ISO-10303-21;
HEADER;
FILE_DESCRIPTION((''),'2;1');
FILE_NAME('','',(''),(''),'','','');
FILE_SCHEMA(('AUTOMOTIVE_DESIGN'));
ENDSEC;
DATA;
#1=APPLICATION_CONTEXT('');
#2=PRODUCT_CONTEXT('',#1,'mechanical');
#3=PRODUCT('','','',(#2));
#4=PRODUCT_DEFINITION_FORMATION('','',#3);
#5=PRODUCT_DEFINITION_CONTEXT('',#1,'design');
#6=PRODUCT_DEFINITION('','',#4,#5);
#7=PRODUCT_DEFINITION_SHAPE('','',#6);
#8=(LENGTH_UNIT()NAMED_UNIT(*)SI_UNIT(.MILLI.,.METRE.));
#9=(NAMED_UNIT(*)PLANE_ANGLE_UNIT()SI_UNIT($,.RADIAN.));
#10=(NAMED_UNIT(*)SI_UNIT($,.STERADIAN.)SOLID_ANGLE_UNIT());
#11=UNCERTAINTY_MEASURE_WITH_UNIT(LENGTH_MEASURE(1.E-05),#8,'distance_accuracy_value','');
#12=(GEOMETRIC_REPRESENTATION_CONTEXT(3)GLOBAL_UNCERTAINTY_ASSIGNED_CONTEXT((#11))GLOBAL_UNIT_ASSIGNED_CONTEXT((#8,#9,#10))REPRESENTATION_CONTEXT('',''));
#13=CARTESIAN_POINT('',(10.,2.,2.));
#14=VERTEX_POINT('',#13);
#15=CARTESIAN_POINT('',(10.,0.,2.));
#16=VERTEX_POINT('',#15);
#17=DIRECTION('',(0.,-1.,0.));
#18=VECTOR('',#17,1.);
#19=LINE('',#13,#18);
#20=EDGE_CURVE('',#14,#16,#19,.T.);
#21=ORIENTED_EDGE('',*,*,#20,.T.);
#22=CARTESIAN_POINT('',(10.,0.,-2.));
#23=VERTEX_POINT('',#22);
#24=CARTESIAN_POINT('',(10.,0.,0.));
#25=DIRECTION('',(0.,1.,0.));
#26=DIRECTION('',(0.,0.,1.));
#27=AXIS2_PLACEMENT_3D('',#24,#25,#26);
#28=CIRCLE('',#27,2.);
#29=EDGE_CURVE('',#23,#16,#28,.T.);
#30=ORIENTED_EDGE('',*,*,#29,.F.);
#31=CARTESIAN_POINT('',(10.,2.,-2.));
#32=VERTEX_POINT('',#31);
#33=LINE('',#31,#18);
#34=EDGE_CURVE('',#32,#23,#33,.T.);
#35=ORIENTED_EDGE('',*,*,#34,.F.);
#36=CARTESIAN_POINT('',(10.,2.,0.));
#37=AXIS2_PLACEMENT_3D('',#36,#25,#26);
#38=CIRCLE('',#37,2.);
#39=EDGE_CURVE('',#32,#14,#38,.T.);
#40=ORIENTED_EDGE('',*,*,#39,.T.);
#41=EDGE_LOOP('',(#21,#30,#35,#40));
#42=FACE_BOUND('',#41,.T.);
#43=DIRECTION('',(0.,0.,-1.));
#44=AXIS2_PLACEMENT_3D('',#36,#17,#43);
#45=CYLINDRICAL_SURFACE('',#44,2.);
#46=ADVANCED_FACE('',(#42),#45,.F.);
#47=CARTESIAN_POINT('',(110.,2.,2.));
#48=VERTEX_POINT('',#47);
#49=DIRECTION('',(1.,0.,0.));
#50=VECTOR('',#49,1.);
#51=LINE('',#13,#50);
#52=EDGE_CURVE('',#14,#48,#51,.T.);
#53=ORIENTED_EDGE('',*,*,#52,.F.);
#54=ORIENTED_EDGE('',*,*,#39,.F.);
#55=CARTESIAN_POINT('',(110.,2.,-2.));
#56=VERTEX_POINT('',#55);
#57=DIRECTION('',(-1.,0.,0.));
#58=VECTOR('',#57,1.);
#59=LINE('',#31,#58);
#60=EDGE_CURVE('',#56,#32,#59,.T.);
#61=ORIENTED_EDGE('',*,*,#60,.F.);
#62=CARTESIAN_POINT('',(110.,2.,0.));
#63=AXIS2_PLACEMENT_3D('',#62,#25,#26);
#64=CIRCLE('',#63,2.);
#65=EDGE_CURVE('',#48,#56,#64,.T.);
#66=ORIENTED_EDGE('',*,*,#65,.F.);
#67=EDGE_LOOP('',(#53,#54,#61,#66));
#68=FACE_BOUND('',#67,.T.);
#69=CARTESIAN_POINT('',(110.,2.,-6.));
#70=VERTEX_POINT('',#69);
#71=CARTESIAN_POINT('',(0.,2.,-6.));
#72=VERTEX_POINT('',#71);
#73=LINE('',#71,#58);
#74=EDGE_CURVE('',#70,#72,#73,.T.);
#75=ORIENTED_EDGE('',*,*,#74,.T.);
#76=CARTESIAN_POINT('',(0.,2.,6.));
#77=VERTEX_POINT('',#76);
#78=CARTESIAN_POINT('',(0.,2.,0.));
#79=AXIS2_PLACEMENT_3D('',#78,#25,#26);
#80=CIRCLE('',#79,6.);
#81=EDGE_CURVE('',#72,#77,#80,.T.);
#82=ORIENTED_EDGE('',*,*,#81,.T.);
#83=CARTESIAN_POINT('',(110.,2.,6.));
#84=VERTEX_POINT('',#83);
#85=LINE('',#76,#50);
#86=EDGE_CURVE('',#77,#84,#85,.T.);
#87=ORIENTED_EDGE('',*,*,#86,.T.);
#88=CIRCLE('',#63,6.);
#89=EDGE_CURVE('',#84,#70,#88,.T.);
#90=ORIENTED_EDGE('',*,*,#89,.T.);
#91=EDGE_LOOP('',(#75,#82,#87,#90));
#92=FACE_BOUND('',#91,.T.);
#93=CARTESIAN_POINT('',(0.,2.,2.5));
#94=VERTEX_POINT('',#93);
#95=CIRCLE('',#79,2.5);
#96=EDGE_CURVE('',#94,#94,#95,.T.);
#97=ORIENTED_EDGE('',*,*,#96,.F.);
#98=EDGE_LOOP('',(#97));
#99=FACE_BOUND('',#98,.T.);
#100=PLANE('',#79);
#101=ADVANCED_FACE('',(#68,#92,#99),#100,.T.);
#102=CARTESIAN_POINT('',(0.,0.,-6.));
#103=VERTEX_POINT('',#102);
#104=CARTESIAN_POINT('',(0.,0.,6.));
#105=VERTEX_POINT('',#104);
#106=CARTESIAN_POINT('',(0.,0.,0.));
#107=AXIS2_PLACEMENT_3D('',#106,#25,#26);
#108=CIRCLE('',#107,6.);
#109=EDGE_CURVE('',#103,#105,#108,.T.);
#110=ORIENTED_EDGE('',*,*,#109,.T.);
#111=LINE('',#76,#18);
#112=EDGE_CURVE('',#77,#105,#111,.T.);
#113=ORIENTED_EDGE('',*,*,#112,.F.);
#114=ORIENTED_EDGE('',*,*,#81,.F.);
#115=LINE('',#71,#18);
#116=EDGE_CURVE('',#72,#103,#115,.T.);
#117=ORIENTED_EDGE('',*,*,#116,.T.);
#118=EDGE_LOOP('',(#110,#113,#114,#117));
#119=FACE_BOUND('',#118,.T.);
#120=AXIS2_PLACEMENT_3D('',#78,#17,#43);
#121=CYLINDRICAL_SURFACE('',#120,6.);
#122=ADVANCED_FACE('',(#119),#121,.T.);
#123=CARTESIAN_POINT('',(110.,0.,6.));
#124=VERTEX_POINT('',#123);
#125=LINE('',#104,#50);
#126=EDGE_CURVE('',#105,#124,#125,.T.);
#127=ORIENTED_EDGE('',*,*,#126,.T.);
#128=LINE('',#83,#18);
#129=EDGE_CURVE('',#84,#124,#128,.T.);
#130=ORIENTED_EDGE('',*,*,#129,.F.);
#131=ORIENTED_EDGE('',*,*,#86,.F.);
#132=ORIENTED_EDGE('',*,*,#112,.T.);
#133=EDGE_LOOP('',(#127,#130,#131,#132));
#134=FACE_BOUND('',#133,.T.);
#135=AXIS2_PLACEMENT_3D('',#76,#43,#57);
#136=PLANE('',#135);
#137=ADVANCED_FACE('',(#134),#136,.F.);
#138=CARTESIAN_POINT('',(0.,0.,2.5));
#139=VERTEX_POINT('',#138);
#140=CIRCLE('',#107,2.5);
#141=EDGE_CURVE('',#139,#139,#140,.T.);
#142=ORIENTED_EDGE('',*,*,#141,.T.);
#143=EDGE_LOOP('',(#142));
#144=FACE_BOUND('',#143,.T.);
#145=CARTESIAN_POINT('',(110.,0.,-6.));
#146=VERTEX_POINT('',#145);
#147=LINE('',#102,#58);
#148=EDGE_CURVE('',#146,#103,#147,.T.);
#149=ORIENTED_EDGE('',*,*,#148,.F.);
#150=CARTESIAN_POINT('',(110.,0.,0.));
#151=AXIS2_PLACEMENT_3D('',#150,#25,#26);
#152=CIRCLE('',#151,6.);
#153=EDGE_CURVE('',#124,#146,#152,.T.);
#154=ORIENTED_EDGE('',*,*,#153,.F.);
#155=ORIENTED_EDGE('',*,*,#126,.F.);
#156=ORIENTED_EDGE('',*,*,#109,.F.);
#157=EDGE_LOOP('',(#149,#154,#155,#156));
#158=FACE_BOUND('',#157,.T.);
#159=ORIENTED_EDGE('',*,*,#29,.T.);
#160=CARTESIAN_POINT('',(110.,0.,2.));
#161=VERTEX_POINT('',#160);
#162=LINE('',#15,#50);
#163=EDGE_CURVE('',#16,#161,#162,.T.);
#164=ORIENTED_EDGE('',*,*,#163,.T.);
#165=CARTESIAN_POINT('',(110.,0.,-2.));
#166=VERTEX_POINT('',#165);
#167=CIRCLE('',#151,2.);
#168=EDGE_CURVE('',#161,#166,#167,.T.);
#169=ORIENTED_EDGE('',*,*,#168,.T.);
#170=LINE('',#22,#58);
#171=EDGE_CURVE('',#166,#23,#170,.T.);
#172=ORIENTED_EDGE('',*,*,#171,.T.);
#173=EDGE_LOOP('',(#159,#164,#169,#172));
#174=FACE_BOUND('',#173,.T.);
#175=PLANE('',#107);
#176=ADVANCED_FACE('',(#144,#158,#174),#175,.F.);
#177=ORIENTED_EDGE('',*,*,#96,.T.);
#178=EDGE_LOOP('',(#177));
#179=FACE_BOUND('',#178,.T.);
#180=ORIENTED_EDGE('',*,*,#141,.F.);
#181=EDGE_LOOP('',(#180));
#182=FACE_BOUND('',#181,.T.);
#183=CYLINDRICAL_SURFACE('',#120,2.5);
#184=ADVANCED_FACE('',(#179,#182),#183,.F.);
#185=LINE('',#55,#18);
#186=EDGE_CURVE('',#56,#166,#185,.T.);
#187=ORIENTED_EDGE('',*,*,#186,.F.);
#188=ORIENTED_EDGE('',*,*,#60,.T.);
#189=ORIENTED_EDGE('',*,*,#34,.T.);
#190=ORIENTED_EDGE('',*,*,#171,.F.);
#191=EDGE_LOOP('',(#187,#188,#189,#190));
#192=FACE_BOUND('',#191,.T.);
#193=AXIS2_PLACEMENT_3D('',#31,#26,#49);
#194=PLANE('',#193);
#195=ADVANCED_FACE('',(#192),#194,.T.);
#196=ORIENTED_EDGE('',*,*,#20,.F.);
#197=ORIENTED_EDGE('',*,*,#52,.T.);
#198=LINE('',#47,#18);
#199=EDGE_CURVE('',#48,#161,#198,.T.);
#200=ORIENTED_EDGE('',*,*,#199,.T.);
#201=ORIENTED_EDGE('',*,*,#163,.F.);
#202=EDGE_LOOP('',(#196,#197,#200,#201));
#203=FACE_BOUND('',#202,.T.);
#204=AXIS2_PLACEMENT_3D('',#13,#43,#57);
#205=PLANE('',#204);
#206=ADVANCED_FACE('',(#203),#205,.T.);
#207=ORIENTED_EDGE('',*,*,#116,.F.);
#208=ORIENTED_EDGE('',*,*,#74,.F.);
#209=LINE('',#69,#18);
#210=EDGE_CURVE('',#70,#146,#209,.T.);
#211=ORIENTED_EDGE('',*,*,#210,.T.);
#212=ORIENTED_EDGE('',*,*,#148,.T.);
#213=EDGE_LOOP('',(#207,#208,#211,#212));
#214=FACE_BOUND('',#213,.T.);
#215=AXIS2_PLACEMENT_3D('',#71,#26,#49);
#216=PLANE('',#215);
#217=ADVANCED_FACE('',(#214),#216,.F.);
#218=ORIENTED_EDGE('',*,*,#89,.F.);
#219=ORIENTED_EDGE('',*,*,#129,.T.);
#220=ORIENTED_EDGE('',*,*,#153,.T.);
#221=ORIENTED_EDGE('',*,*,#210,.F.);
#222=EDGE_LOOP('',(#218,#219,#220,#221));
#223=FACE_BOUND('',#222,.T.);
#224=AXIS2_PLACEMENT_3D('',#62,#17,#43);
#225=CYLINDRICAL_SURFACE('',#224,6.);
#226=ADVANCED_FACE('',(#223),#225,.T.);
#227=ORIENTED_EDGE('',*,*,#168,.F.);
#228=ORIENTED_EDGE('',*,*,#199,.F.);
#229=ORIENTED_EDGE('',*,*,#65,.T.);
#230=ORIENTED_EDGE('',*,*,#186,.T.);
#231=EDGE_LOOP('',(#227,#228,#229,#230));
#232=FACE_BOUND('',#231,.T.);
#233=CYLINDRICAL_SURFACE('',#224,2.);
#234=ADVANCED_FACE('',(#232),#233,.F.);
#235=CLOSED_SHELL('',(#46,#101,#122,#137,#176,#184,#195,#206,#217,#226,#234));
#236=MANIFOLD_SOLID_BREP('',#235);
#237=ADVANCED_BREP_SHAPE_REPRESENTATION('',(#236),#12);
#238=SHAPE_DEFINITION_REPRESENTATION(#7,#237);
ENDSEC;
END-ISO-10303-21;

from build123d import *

# Parameters (mm, degrees)
SKETCH1_R           = 2.5
BOSS_EXTRUDE1_DEPTH = 2


with BuildPart() as part:
    # Sketch1 → Boss-Extrude1 (new body)
    with BuildSketch(Plane(origin=(0, 0, 0), x_dir=(1, 0, 0), z_dir=(0, 1, 0))):
        with BuildLine():
            Line((0, 6), (110, 6))
            ThreePointArc((110, 6), (116, 0), (110, -6))
            Line((110, -6), (0, -6))
            ThreePointArc((0, -6), (-6, 0), (0, 6))
        make_face()
        with Locations(Location((0, 0, 0), (0, 0, 270))):
            Circle(SKETCH1_R, mode=Mode.SUBTRACT)
        with BuildLine():
            Line((10, 2), (110, 2))
            ThreePointArc((110, 2), (112, 0), (110, -2))
            Line((110, -2), (10, -2))
            ThreePointArc((10, -2), (8, 0), (10, 2))
        make_face(mode=Mode.SUBTRACT)
    extrude(amount=BOSS_EXTRUDE1_DEPTH)


solid = part.part
